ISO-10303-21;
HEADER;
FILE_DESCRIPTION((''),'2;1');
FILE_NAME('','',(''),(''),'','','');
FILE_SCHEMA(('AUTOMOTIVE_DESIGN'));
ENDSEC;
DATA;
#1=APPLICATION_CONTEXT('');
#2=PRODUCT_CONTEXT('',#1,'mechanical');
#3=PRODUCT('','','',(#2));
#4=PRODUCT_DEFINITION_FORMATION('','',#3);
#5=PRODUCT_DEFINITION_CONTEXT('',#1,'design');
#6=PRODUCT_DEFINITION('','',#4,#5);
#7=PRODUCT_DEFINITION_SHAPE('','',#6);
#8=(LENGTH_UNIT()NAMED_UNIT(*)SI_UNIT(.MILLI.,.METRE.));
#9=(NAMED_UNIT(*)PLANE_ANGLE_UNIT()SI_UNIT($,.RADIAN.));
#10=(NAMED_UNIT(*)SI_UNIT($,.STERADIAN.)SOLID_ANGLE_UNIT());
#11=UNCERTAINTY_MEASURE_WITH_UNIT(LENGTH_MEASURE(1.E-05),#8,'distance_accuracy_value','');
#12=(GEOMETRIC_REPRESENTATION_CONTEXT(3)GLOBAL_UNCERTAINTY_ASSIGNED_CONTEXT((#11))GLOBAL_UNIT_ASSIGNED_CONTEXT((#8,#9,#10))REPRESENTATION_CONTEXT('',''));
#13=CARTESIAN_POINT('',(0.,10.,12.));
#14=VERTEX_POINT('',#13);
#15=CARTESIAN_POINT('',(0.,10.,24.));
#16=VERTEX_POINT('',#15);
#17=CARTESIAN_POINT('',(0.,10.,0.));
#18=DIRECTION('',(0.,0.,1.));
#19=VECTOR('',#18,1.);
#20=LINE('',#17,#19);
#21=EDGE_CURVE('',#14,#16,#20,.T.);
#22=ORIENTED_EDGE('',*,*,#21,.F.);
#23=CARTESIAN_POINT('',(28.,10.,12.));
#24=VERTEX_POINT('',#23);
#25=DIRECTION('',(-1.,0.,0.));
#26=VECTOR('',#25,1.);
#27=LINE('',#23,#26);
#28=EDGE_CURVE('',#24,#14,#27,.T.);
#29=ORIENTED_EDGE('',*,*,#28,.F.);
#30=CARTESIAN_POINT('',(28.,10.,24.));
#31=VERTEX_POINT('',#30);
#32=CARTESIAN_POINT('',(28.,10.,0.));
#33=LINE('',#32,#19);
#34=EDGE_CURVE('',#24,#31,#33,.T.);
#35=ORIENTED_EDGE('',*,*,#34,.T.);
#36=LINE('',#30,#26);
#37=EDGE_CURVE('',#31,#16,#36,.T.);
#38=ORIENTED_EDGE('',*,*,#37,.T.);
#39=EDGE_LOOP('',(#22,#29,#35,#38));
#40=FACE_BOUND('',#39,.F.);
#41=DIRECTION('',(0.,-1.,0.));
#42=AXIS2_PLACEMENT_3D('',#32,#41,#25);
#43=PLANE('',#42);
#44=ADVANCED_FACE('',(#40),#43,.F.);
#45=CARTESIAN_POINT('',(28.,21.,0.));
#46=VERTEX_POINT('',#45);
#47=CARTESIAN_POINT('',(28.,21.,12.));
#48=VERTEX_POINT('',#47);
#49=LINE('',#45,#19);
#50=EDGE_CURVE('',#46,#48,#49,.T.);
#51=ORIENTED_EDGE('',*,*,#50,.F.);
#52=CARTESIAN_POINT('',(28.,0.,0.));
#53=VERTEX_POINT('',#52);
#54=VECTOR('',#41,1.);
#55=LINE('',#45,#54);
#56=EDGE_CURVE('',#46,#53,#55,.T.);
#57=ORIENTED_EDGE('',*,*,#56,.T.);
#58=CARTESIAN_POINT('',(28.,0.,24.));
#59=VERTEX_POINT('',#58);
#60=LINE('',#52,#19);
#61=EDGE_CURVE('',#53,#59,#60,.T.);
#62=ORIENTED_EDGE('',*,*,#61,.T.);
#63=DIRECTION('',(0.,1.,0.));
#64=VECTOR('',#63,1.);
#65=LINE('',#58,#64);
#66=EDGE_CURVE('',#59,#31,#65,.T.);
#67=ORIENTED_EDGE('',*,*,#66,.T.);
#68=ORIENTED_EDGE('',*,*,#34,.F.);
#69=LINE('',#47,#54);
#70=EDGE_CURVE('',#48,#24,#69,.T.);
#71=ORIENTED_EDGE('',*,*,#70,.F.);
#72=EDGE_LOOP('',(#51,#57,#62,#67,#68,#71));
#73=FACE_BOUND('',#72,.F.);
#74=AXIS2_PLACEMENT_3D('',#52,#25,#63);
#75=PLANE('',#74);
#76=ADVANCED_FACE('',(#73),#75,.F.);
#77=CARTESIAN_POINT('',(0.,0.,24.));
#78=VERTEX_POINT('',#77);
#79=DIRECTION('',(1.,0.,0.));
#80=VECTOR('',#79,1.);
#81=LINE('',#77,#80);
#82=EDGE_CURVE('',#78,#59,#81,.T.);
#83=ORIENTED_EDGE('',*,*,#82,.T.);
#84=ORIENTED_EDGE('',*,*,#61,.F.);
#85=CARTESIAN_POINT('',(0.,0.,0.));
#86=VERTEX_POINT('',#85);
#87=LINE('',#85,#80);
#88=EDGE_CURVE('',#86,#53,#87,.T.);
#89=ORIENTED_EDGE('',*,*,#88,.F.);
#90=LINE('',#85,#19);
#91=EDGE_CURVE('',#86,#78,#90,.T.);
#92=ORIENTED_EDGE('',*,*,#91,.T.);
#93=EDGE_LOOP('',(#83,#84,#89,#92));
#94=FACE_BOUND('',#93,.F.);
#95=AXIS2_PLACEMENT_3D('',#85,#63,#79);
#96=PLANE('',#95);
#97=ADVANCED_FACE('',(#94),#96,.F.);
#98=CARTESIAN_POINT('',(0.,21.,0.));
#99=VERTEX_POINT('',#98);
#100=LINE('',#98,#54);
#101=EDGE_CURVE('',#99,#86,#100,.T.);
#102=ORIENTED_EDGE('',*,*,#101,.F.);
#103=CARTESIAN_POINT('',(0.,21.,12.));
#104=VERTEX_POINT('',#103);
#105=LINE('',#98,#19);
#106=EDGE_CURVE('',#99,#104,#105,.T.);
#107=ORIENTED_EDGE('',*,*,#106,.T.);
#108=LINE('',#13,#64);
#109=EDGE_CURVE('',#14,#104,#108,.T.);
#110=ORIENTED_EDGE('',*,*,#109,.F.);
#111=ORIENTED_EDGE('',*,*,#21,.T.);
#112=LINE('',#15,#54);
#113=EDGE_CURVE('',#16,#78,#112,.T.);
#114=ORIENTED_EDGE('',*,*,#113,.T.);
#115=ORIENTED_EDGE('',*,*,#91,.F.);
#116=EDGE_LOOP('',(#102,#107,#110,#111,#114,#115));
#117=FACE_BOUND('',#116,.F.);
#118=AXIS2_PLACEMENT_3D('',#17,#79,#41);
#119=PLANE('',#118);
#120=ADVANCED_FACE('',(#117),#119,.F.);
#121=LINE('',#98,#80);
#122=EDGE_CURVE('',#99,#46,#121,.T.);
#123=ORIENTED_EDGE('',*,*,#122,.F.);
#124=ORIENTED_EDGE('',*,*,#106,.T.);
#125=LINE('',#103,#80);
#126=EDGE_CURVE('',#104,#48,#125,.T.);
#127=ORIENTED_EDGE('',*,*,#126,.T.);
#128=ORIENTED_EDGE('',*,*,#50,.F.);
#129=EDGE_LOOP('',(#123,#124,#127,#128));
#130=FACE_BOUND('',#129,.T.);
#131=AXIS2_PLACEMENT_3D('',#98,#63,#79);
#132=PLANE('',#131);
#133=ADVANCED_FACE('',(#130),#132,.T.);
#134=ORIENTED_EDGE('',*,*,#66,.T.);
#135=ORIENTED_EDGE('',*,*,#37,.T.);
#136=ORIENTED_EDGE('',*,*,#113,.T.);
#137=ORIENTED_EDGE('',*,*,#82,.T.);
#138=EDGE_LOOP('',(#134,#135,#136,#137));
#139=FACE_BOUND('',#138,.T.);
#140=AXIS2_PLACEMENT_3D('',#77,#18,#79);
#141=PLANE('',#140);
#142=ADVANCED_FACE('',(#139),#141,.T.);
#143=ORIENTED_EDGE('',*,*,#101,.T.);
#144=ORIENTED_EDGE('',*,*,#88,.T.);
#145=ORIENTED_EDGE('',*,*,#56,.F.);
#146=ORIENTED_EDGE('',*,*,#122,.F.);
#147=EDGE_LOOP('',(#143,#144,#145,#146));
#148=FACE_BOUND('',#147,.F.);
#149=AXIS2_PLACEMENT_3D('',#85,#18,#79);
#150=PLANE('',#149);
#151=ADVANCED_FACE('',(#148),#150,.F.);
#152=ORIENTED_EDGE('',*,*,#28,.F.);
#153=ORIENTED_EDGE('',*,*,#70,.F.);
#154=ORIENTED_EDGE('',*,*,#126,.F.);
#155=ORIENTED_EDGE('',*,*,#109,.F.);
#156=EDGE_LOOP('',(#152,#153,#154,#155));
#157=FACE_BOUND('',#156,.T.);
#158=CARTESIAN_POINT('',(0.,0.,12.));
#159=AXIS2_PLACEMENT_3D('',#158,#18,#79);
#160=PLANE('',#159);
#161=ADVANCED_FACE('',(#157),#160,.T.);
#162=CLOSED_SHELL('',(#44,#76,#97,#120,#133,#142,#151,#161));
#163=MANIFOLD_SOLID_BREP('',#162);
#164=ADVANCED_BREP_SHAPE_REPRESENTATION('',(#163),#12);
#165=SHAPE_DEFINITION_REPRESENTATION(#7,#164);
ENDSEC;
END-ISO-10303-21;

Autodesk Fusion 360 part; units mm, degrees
sketch "Sorting Mechanism Top Panel Support" plane through (0, 0, 0) normal (0, 0, 1) x (1, 0, 0)
  line L0 (0, 0) -> (28, 0)
  line L1 (28, 0) -> (28, 10)
  line L2 (28, 10) -> (0, 10)
  line L3 (0, 10) -> (0, 0)
  line L4 (28, 10) -> (0, 10)
  line L5 (0, 10) -> (0, 21)
  line L6 (0, 21) -> (28, 21)
  line L7 (28, 21) -> (28, 10)
  dimension "d1" = 10
  dimension "d2" = 28
  dimension "d5" = 11
extrude "Extrude1" add sketch "Sorting Mechanism Top Panel Support" along normal blind 24 contours L0 L1 L2 L3 L4
extrude "Extrude2" add sketch "Sorting Mechanism Top Panel Support" along normal blind 12 contours L2 L4 L5 L6 L7
